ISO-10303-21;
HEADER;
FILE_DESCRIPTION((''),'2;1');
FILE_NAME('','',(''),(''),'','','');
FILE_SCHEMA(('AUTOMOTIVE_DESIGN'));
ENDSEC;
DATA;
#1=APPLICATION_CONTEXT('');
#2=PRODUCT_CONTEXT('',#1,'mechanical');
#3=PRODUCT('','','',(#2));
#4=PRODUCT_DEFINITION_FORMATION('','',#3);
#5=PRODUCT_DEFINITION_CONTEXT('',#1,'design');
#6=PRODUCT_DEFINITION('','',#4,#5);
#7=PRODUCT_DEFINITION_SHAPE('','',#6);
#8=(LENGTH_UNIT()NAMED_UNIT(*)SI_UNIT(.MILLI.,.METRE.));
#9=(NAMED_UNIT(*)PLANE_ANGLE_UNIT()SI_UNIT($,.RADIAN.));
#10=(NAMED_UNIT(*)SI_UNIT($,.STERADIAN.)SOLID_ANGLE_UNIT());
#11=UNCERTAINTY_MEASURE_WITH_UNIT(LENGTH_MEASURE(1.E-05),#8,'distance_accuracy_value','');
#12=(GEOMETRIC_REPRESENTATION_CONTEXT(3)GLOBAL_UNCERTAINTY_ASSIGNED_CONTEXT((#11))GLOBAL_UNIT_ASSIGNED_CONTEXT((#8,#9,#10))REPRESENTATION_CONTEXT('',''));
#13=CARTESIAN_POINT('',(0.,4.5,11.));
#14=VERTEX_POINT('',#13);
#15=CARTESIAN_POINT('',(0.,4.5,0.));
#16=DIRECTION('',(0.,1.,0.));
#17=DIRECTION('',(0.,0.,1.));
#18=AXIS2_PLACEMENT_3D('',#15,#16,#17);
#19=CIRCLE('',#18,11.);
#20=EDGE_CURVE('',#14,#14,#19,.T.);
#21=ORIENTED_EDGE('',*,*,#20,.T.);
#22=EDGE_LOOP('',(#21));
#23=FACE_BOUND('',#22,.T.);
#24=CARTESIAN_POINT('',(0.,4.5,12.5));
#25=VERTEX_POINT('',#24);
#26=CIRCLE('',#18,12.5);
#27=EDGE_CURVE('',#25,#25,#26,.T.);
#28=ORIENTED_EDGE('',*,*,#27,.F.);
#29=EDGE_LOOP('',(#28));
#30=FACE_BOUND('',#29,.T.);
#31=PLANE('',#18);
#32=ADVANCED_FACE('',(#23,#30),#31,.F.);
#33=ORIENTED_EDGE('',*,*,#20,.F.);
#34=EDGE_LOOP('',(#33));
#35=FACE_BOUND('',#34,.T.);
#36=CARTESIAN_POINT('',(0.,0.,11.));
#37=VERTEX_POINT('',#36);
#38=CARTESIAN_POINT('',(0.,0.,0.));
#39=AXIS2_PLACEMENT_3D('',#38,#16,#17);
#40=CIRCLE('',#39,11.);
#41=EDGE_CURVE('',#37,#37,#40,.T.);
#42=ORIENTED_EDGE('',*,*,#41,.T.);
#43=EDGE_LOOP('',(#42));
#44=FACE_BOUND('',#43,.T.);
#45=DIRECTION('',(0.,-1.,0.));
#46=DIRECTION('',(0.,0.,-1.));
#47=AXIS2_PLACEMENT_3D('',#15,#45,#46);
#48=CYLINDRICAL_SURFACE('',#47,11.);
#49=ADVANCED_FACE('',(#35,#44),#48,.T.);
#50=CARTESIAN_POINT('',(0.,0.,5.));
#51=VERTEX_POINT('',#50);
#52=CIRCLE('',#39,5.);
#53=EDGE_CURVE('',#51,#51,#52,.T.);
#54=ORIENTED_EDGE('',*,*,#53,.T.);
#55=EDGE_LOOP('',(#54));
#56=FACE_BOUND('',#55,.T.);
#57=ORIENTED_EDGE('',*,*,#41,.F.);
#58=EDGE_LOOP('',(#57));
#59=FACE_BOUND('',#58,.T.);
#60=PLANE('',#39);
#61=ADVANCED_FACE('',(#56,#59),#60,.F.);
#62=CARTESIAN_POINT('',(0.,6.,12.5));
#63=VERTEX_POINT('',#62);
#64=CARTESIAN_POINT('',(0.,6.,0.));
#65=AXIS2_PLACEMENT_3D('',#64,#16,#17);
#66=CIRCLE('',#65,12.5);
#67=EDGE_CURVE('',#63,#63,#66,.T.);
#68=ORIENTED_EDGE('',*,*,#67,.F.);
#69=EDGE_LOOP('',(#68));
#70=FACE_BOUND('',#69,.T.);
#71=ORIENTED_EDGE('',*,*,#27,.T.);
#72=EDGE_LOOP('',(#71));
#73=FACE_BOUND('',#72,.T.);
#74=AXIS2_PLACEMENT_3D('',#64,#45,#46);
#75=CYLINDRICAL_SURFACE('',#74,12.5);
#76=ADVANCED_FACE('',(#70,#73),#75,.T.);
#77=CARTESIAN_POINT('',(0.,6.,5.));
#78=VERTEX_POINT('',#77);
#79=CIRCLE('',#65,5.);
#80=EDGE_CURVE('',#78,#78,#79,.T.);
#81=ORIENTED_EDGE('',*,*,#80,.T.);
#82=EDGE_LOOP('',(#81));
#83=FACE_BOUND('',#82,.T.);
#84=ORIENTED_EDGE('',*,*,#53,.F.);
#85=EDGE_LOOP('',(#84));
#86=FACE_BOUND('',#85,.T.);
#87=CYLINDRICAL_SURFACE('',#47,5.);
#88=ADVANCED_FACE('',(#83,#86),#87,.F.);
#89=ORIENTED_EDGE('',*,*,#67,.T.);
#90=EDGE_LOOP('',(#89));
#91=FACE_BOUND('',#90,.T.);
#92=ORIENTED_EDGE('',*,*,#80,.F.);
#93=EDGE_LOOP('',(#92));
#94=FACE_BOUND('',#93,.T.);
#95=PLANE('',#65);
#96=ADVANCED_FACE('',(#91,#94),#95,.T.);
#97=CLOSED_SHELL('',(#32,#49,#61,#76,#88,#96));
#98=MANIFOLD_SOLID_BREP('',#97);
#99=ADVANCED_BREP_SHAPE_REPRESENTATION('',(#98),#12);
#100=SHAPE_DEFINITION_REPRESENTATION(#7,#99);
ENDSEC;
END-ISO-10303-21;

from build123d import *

# Parameters (mm, degrees)
SKETCH1_R           = 11
SKETCH1_R_2         = 5
BOSS_EXTRUDE1_DEPTH = 4.5
SKETCH2_R           = 12.5
SKETCH2_R_2         = 5
BOSS_EXTRUDE2_DEPTH = 1.5


with BuildPart() as part:
    # Sketch1 → Boss-Extrude1 (new body)
    with BuildSketch(Plane(origin=(0, 0, 0), x_dir=(1, 0, 0), z_dir=(0, 1, 0))):
        with Locations(Location((0, 0, 0), (0, 0, 270))):
            Circle(SKETCH1_R)
        with Locations(Location((0, 0, 0), (0, 0, 270))):
            Circle(SKETCH1_R_2, mode=Mode.SUBTRACT)
    extrude(amount=BOSS_EXTRUDE1_DEPTH)

    # Sketch2 → Boss-Extrude2 (add)
    with BuildSketch(Plane(origin=(0, 4.5, 0), x_dir=(1, 0, 0), z_dir=(0, 1, 0))):
        with Locations(Location((0, 0, 0), (0, 0, 270))):
            Circle(SKETCH2_R)
        with Locations(Location((0, 0, 0), (0, 0, 270))):
            Circle(SKETCH2_R_2, mode=Mode.SUBTRACT)
    extrude(amount=BOSS_EXTRUDE2_DEPTH)


solid = part.part
